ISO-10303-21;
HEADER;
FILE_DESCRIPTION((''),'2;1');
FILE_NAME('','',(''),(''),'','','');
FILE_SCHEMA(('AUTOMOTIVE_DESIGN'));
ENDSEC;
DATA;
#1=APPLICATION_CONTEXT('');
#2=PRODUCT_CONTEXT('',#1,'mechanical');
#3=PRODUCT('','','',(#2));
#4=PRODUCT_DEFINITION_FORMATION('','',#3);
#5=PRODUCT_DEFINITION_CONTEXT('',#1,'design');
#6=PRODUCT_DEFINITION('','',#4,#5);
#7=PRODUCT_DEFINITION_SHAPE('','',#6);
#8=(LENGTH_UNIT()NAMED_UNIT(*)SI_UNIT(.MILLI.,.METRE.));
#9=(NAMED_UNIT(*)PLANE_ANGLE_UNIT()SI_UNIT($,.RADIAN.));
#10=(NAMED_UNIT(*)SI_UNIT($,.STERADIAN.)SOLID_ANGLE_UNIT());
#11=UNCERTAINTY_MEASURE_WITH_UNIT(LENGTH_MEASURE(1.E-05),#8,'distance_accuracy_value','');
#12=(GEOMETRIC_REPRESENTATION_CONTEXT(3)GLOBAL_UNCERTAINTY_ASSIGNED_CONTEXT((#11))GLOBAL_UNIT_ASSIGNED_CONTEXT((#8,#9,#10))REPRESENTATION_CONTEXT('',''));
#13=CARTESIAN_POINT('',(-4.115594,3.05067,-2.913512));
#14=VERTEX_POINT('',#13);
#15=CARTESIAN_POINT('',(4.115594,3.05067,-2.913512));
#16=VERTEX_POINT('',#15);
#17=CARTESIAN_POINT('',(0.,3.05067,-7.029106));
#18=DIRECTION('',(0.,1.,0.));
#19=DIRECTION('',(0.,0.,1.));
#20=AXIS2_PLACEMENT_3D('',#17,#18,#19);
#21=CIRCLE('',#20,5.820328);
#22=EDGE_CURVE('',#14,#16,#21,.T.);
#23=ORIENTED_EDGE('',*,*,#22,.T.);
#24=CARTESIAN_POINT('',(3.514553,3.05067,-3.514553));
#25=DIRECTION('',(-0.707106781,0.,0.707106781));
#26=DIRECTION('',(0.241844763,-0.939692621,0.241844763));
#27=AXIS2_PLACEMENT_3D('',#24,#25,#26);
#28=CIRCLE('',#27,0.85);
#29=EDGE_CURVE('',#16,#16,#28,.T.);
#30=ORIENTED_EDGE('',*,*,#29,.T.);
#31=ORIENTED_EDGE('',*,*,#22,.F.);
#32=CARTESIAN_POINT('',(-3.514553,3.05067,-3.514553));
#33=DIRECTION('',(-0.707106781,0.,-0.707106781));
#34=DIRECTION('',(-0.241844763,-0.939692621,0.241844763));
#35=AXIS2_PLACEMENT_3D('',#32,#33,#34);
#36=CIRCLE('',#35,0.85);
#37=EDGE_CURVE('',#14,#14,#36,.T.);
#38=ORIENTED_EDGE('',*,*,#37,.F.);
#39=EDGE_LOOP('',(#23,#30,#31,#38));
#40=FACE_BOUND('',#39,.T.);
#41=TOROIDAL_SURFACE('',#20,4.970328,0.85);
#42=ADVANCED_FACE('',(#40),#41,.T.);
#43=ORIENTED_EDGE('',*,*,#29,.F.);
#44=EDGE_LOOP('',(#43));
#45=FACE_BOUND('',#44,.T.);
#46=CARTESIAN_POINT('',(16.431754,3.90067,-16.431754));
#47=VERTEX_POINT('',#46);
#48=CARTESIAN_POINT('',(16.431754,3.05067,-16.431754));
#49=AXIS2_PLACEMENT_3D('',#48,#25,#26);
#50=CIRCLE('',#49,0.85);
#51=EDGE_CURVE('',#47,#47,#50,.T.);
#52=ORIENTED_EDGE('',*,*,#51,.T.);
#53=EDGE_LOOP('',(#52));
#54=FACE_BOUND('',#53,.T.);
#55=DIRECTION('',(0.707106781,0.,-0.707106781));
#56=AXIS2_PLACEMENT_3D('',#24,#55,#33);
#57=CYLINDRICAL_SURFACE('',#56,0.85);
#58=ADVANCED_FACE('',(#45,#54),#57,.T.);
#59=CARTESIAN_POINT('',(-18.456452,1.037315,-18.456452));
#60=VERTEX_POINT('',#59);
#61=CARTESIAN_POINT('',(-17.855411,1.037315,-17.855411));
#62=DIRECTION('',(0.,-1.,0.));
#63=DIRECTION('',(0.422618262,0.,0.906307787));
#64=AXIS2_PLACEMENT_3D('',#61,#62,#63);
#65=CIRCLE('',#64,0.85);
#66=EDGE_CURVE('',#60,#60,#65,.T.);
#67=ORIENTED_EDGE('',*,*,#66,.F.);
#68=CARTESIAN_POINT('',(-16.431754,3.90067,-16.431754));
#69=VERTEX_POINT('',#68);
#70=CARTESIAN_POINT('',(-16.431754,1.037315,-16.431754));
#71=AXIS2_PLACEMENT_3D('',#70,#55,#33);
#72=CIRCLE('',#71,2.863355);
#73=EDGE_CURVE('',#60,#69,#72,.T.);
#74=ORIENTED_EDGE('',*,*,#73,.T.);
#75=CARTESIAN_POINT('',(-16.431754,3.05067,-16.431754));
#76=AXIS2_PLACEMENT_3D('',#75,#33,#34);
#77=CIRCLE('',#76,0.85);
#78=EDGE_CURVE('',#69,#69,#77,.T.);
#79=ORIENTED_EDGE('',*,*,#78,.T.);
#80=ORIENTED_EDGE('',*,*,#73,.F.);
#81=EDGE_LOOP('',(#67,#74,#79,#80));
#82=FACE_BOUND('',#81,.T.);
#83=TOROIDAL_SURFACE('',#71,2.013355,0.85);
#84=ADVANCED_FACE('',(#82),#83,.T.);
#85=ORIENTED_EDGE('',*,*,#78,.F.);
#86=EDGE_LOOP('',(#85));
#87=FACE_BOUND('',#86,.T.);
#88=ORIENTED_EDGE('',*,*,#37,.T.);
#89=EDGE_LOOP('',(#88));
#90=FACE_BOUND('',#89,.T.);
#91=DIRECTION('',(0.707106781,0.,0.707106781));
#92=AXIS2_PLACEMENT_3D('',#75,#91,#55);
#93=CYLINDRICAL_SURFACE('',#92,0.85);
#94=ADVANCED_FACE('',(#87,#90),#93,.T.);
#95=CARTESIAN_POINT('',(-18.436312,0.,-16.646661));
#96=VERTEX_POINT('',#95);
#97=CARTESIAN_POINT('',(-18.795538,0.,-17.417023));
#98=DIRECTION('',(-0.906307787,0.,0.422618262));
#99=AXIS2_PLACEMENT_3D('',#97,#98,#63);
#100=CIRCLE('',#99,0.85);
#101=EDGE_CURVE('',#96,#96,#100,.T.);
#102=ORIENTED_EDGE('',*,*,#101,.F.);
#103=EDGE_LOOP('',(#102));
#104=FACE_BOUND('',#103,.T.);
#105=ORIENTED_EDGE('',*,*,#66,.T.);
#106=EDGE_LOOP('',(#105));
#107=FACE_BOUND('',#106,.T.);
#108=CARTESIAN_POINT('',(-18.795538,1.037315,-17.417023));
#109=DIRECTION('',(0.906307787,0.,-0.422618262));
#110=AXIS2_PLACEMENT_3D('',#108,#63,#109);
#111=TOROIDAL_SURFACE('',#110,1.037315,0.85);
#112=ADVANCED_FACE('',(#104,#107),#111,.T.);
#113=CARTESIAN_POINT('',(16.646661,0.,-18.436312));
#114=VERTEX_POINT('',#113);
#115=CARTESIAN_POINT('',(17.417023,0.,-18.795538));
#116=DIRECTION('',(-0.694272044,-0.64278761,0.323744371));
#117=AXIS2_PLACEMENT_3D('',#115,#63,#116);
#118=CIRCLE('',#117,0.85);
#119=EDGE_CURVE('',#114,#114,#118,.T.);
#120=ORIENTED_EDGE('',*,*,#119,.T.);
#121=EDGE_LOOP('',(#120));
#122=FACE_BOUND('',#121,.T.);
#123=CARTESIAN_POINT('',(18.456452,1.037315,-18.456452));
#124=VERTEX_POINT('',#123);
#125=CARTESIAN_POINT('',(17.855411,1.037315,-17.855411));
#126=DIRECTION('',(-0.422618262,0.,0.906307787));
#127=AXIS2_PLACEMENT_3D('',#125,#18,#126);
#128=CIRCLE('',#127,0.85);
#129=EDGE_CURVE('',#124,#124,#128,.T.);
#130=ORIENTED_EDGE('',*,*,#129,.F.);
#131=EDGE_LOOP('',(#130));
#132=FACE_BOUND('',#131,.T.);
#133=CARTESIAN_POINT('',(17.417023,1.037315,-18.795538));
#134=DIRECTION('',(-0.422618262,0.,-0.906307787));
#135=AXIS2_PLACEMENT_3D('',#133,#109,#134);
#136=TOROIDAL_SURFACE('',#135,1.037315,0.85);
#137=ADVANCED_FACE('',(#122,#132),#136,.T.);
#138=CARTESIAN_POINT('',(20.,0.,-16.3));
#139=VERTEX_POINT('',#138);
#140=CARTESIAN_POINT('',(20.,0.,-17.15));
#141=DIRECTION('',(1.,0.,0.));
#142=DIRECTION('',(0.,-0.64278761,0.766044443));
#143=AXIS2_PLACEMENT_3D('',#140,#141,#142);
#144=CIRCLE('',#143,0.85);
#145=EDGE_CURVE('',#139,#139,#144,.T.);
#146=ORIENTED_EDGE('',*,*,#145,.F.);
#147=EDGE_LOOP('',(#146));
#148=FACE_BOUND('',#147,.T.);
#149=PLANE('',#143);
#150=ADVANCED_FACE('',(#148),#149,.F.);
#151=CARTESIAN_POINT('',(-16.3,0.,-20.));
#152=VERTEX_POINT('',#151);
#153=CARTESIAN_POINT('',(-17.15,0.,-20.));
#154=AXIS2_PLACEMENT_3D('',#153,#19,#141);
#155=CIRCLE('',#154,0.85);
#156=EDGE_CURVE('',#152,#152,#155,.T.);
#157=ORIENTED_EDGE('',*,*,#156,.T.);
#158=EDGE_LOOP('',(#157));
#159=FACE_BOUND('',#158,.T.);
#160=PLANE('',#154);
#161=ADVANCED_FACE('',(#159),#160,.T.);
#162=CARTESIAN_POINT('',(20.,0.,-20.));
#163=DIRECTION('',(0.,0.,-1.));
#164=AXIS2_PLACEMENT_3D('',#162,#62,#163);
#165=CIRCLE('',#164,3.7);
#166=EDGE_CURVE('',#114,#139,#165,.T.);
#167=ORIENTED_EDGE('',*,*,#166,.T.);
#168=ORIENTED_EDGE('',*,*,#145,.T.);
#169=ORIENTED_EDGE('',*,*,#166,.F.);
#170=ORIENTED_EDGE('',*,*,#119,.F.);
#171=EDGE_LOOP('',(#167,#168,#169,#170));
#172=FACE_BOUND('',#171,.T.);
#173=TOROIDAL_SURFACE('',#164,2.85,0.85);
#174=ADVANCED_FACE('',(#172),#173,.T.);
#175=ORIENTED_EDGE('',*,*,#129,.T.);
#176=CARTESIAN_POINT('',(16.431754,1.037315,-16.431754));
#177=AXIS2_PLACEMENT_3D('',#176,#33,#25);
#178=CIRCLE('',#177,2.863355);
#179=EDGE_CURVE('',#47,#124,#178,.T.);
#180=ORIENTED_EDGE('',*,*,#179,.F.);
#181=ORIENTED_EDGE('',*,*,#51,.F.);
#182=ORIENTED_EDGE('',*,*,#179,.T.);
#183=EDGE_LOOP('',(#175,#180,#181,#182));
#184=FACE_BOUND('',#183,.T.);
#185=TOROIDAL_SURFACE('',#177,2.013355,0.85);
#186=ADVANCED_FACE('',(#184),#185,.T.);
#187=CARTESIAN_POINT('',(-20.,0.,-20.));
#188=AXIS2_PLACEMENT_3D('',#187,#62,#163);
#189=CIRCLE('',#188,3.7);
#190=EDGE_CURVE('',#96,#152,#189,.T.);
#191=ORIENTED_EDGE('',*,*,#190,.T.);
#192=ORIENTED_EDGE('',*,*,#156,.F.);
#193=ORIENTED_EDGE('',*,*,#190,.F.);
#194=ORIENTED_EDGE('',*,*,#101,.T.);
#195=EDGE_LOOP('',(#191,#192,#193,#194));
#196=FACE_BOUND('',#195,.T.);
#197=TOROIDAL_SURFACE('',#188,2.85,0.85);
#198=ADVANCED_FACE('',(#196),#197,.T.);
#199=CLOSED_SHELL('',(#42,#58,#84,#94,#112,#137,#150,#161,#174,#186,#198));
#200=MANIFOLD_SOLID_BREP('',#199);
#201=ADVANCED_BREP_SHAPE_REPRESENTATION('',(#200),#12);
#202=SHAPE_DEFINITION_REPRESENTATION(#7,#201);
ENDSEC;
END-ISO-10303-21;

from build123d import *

# Parameters (mm, degrees)
SKETCH4_R = 0.85


with BuildPart() as part:
    # Body: sweep along a curve in space
    with BuildLine() as body_path:
        ThreePointArc((-17.15, 0, -20), (-22.403665621, 0, -21.531303884), (-18.795537954, 0, -17.417022807))
        ThreePointArc((-18.795537954, 0, -17.417022807), (-18.130767909, 0.303822578, -17.72701017), (-17.85541114, 1.037315168, -17.85541114))
        ThreePointArc((-17.85541114, 1.037315168, -17.85541114), (-17.438431689, 2.460972063, -17.438431689), (-16.431754245, 3.050670057, -16.431754245))
        Line((-16.431754245, 3.050670057, -16.431754245), (-3.514552849, 3.050670057, -3.514552849))
        ThreePointArc((-3.514552849, 3.050670057, -3.514552849), (0, 3.050670057, -2.058777393), (3.514552849, 3.050670057, -3.514552849))
        Line((3.514552849, 3.050670057, -3.514552849), (16.431754245, 3.050670057, -16.431754245))
        ThreePointArc((16.431754245, 3.050670057, -16.431754245), (17.438431689, 2.460972063, -17.438431689), (17.85541114, 1.037315168, -17.85541114))
        ThreePointArc((17.85541114, 1.037315168, -17.85541114), (17.72701017, 0.303822578, -18.130767909), (17.417022807, 0, -18.795537954))
        ThreePointArc((17.417022807, 0, -18.795537954), (21.531303884, 0, -22.403665621), (20, 0, -17.15))
    # Sketch4 → Body (sweep)
    with BuildSketch(Plane.XY.offset(-20)):
        with Locations((-17.15, 0)):
            Circle(SKETCH4_R)
    sweep(path=body_path.line)


solid = part.part
